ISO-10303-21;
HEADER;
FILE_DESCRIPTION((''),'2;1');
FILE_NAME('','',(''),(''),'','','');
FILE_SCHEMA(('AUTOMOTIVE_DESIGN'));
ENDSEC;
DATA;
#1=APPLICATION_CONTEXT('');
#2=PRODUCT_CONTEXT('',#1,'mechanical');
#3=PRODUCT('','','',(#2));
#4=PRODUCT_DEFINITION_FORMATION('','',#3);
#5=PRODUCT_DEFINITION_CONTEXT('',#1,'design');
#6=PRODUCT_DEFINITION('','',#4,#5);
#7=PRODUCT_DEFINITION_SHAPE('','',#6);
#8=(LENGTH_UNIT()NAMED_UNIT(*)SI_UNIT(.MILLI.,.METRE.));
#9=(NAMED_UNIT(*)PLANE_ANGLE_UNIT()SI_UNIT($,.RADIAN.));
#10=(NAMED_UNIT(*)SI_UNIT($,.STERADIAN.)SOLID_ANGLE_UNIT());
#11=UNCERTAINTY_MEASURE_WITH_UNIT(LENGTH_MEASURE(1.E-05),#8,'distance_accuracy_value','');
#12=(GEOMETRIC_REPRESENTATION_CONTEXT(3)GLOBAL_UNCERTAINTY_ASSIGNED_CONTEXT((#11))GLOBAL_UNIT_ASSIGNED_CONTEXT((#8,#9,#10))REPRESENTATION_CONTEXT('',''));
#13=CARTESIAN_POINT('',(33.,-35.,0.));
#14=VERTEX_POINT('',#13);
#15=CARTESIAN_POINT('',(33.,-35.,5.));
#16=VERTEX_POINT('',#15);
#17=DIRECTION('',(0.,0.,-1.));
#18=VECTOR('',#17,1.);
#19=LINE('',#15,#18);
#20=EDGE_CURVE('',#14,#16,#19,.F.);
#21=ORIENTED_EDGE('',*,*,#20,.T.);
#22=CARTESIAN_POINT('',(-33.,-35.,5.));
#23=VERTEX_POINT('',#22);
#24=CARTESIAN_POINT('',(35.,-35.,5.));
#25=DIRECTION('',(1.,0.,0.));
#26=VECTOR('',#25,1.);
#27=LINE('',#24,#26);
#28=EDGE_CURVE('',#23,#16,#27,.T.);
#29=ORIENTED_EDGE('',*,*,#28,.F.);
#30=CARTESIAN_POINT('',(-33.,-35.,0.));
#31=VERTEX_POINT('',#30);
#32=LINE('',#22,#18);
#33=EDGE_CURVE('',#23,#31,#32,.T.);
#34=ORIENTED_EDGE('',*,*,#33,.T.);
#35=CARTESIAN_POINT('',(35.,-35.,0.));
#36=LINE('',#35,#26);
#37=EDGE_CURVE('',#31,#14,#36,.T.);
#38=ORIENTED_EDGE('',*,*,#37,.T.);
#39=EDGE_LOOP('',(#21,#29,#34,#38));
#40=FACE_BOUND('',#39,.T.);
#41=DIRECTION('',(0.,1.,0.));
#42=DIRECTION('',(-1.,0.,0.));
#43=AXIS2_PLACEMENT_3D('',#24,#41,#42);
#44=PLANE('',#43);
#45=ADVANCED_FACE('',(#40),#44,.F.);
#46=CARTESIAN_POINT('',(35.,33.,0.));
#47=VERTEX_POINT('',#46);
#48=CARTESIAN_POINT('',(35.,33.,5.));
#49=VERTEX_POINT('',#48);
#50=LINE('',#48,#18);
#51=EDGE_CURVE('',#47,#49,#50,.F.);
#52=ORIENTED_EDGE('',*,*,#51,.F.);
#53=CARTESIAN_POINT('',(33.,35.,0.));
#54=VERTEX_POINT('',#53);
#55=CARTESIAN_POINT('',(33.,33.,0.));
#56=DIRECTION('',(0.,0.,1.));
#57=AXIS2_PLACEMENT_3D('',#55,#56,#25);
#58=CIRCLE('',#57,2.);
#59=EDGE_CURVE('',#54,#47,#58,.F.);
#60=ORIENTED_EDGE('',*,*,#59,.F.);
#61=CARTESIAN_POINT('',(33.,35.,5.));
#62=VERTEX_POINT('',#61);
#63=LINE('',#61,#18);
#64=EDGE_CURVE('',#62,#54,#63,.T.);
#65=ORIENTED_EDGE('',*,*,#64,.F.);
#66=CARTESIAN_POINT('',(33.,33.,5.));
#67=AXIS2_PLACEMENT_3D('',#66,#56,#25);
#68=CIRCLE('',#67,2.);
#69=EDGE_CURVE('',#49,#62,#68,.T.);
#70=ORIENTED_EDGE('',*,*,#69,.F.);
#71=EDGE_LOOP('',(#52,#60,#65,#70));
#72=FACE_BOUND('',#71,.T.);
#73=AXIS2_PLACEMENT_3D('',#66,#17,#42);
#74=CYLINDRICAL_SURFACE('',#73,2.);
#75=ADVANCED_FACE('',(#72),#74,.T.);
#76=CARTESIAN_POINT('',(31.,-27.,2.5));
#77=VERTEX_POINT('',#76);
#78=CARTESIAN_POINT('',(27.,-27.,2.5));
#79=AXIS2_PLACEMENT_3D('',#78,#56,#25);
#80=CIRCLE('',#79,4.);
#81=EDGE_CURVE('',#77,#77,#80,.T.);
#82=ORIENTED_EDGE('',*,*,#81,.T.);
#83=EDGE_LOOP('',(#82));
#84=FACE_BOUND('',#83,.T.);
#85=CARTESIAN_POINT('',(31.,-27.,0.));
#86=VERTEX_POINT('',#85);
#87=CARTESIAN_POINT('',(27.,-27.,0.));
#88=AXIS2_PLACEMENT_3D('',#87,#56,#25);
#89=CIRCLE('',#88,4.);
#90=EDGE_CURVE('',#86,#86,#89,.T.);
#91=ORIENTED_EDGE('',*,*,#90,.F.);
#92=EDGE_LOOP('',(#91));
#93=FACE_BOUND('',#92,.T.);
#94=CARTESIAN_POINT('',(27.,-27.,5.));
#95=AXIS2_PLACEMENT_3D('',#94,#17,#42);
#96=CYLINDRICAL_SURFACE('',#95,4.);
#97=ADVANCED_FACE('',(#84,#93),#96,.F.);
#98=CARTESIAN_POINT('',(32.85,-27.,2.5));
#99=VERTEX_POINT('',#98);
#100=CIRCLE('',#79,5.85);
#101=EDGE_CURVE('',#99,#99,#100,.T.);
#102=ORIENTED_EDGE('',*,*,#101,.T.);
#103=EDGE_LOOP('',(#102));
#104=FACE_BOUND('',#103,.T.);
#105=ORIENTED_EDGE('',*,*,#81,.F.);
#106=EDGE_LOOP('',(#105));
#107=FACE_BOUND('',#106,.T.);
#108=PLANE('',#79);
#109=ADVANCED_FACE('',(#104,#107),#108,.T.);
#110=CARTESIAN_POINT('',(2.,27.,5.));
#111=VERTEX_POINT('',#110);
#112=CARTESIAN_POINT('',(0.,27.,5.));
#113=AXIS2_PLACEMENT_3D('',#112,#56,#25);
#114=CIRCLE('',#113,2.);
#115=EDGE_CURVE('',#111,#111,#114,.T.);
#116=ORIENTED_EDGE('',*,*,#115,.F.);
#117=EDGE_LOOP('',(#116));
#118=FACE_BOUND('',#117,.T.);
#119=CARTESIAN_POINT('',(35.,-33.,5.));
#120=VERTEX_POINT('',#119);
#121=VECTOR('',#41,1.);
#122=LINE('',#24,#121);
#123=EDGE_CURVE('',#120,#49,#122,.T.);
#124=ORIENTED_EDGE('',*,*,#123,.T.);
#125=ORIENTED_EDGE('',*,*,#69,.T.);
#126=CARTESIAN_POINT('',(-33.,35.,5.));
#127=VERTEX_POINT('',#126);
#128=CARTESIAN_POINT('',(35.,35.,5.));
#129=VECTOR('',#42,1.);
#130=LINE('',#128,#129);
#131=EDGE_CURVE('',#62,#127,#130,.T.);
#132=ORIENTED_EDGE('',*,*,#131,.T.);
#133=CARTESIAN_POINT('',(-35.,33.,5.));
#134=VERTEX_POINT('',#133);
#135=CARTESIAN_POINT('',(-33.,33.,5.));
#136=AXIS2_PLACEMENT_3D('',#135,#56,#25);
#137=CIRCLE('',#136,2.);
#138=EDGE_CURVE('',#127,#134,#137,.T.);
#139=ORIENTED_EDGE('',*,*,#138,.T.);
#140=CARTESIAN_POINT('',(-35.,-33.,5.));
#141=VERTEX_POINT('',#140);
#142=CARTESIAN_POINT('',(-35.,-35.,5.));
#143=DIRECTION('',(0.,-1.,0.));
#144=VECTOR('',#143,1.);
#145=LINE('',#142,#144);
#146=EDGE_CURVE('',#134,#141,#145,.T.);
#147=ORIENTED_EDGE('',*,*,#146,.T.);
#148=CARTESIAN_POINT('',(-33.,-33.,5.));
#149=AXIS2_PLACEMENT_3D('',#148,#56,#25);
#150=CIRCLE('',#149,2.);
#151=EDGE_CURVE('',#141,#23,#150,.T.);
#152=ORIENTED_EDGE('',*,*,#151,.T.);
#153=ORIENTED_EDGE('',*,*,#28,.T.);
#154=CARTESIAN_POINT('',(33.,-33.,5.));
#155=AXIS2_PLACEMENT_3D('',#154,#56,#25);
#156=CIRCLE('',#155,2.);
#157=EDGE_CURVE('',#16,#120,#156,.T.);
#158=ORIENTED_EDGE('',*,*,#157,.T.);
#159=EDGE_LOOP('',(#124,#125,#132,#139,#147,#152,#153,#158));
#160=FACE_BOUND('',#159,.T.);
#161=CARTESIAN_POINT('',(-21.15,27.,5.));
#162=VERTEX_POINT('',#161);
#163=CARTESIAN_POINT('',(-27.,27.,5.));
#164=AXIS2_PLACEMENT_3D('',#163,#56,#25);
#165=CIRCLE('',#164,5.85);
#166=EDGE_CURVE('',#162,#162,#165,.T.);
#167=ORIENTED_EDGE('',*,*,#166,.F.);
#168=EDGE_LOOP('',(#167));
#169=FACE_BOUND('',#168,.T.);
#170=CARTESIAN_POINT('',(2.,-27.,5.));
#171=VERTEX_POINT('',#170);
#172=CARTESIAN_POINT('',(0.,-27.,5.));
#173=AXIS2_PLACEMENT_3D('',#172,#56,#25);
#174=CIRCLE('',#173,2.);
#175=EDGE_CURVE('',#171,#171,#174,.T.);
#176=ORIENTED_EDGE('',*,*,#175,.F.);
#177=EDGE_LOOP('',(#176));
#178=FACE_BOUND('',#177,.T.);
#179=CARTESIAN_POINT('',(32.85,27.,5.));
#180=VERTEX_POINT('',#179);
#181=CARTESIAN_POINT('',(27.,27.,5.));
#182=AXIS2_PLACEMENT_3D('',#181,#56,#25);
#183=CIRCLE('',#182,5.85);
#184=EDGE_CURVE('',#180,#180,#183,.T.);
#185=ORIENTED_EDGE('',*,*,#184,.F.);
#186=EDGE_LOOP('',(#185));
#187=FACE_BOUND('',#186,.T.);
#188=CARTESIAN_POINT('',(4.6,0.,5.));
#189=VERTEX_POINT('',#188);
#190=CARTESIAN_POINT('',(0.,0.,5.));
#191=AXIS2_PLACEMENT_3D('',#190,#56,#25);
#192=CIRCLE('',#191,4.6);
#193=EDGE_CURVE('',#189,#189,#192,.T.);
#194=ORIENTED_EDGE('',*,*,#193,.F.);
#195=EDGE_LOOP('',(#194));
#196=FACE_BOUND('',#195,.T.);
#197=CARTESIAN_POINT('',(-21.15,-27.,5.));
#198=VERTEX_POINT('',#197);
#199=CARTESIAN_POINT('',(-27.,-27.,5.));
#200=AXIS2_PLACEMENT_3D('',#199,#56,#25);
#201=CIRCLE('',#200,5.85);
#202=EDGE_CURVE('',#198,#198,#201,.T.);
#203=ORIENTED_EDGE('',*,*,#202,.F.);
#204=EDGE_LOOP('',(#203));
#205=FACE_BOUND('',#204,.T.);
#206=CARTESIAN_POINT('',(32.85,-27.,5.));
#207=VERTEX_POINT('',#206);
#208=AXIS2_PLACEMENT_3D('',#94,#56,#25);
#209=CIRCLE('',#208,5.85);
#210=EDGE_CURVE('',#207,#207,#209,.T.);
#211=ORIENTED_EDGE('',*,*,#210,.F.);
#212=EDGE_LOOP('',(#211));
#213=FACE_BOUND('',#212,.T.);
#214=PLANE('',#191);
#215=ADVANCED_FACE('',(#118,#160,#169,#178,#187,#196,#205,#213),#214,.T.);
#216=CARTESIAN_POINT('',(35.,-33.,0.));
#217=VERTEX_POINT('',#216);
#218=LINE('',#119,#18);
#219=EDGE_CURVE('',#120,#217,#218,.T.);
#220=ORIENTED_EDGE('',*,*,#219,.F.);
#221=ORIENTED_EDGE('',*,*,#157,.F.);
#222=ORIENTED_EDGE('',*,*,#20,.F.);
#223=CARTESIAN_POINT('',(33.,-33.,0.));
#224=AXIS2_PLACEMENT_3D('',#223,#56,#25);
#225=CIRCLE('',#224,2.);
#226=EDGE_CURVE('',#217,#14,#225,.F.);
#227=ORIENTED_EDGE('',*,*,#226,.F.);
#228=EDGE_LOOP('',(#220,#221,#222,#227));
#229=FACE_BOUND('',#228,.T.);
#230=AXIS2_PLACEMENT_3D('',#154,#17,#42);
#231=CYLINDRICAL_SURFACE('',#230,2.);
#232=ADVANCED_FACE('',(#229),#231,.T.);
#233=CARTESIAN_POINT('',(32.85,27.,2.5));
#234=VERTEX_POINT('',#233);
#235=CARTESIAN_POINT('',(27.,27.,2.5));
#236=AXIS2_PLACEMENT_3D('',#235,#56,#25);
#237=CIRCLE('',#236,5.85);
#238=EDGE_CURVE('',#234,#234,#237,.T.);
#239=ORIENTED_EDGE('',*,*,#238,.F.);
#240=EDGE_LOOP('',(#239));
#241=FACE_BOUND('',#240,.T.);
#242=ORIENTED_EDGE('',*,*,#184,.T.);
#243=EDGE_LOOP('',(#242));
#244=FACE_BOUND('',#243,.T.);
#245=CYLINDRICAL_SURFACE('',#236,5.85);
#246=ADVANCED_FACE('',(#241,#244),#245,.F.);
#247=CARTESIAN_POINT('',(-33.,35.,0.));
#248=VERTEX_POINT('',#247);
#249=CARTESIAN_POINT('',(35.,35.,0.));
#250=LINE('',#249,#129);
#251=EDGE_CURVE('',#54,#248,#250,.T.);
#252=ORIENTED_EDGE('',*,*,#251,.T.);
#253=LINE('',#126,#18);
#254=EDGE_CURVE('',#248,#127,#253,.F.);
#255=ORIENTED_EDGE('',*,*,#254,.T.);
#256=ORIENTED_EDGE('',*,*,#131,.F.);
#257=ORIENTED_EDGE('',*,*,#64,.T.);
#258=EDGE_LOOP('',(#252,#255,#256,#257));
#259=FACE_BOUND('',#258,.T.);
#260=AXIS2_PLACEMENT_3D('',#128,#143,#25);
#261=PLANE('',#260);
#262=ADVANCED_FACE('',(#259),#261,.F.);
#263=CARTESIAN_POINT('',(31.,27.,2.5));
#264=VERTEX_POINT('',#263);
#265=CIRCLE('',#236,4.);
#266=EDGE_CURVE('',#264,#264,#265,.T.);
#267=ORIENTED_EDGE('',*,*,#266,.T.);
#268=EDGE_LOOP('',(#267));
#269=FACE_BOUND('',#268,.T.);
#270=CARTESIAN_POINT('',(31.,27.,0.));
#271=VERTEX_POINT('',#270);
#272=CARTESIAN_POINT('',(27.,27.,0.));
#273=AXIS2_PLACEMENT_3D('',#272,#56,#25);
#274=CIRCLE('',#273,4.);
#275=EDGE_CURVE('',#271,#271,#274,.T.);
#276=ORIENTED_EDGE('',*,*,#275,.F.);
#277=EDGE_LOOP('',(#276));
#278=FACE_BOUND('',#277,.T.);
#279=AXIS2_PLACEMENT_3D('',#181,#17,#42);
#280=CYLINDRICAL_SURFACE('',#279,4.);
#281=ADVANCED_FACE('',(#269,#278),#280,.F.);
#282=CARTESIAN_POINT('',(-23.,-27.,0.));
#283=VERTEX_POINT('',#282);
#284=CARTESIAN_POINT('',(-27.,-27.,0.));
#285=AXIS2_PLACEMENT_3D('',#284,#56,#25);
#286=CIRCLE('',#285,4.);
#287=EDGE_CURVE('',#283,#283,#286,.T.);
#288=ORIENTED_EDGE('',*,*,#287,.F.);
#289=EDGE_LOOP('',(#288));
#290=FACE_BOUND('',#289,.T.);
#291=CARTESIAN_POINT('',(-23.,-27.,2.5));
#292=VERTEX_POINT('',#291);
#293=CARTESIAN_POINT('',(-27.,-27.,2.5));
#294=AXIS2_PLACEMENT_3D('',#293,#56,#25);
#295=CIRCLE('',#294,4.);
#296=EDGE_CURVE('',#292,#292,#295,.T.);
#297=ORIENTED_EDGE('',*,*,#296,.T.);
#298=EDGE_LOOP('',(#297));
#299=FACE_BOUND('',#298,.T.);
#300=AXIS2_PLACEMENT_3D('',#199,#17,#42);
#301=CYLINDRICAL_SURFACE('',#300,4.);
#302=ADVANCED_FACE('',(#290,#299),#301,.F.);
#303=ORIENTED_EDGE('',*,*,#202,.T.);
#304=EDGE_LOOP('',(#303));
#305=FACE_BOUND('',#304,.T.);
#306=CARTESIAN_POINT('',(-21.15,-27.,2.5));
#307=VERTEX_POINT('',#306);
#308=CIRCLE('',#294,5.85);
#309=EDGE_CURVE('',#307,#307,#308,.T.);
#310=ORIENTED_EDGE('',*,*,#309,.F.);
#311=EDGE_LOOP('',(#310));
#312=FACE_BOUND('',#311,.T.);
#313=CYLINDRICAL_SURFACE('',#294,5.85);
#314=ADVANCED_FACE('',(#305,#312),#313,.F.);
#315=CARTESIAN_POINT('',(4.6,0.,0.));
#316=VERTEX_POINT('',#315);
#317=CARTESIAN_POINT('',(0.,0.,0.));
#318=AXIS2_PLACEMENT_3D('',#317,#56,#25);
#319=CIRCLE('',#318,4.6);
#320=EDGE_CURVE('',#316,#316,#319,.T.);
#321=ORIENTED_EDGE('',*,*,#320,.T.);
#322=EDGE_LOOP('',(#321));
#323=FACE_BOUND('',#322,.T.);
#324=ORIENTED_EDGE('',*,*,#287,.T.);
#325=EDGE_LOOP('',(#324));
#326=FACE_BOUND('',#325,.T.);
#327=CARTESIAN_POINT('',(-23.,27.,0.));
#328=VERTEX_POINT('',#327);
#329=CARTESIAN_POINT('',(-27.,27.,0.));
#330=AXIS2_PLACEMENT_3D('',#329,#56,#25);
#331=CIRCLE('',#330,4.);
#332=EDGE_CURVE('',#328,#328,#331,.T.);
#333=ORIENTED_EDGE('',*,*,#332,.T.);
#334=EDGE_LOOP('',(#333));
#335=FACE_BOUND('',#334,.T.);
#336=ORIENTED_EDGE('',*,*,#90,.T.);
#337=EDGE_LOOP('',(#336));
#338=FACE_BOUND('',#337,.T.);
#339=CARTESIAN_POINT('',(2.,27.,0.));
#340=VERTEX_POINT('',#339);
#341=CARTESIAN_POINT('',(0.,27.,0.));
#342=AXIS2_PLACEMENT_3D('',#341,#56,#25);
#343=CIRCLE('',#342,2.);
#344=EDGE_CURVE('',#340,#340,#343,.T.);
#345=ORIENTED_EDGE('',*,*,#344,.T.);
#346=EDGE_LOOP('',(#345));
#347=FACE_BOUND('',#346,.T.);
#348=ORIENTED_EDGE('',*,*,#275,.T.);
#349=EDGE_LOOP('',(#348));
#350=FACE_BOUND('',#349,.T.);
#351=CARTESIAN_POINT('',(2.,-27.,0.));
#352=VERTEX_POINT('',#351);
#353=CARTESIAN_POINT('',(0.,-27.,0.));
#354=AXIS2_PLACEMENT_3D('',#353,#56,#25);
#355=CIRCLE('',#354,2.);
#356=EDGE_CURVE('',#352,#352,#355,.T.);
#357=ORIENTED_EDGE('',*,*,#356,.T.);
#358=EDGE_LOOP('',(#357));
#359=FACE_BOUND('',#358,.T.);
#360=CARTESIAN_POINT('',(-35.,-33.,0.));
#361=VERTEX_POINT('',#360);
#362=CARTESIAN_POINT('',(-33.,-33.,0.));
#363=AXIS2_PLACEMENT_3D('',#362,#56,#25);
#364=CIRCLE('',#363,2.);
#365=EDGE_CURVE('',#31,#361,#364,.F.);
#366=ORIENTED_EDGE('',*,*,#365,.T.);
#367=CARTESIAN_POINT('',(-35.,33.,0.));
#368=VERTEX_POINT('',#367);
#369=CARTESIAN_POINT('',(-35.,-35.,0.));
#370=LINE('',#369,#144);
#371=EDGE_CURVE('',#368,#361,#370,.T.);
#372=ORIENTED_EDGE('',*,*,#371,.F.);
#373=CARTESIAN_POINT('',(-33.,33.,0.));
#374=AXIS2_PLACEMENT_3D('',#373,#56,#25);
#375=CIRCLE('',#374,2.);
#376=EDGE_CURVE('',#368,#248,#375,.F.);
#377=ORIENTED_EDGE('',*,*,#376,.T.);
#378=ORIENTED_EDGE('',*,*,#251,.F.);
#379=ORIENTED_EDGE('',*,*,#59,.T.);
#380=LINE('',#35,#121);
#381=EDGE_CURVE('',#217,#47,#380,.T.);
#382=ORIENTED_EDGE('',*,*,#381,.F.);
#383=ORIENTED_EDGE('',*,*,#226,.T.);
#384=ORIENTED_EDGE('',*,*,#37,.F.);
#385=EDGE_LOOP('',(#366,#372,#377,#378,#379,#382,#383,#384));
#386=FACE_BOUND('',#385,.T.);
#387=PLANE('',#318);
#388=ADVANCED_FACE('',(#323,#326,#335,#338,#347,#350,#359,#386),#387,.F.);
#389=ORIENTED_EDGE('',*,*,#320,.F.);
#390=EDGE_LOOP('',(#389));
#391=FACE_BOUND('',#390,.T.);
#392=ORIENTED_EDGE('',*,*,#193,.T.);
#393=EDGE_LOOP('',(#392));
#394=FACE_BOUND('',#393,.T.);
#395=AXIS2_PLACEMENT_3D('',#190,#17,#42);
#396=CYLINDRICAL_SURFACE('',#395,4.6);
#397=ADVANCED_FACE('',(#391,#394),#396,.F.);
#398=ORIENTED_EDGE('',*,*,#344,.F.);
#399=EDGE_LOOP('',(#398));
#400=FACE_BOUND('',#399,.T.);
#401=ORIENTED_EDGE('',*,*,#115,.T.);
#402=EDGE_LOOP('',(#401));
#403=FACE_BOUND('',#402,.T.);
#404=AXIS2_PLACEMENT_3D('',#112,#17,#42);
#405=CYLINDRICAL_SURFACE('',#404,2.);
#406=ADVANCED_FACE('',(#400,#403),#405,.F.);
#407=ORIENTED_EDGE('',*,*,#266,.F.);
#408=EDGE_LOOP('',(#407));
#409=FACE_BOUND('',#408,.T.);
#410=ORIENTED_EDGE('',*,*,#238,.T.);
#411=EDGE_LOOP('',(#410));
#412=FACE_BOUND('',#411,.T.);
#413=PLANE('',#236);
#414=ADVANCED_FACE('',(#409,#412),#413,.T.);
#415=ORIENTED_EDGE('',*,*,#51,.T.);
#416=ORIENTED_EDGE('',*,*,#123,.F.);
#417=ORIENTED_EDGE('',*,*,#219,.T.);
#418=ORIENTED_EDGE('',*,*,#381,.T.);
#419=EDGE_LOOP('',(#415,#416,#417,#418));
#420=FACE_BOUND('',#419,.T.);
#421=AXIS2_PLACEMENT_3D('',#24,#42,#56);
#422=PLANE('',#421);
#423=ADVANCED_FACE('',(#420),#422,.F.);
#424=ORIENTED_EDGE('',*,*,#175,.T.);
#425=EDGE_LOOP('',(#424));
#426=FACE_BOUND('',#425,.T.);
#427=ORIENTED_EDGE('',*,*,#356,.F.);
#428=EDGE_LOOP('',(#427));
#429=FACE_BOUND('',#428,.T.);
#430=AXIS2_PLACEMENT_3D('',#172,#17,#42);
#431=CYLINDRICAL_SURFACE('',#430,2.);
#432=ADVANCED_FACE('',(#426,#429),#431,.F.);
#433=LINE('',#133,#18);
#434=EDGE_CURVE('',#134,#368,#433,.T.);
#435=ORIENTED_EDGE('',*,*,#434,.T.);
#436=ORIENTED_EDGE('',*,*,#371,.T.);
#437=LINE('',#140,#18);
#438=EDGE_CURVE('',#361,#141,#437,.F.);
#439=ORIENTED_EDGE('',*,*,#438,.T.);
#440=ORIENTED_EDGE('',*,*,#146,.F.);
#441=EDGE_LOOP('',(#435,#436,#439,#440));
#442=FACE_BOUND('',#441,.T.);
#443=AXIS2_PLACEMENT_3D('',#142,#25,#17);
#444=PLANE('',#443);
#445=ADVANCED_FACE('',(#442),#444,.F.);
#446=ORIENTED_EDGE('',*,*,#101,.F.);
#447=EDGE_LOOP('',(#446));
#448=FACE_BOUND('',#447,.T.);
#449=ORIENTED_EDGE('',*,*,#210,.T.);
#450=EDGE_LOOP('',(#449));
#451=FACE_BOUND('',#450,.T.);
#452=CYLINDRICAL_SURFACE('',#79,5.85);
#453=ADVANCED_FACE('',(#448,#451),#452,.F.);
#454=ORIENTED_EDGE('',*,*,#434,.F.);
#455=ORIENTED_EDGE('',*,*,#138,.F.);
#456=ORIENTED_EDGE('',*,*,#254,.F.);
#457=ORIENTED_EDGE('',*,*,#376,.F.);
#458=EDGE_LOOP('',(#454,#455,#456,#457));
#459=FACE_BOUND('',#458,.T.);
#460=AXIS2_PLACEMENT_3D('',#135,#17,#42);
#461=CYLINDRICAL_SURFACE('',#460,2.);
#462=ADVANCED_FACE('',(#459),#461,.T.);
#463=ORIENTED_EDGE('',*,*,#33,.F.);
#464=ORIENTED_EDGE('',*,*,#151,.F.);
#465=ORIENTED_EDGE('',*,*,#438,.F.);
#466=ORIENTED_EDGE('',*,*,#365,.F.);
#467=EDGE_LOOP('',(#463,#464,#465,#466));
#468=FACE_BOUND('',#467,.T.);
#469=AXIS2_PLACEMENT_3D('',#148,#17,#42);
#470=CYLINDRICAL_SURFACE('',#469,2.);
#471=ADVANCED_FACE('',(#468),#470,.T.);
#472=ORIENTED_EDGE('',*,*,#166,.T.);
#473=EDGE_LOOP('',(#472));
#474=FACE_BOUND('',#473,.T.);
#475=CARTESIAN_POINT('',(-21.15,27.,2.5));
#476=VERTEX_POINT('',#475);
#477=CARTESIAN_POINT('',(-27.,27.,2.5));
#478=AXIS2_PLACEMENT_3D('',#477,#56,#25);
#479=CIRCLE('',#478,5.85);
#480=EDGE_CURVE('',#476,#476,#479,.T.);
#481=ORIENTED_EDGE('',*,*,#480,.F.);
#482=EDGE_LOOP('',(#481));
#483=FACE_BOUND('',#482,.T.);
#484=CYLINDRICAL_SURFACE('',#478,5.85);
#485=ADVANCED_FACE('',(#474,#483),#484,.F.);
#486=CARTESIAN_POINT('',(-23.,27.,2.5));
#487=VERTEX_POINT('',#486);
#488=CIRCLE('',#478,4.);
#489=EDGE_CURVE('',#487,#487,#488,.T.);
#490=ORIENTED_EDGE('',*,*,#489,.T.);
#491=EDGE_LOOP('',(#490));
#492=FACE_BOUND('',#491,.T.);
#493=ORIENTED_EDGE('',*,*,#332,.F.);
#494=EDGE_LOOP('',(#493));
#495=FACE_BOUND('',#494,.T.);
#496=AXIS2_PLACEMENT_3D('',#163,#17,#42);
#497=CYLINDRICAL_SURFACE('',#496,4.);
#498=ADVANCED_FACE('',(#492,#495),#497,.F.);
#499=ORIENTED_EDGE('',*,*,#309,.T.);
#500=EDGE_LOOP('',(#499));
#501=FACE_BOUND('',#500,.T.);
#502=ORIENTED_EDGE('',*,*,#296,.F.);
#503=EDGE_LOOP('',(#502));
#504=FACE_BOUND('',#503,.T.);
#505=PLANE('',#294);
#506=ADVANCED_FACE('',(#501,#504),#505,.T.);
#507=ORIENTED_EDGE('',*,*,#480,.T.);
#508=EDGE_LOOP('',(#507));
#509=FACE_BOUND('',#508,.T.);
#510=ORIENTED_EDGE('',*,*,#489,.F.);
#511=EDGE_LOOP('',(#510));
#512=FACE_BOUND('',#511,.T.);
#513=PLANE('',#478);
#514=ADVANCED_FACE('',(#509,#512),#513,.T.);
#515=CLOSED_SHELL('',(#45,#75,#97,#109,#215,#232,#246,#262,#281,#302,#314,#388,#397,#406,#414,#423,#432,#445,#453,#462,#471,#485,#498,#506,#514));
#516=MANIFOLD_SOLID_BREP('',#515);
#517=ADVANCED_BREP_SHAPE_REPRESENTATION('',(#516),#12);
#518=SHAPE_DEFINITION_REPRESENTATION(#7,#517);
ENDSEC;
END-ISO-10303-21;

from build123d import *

# Parameters (mm, degrees)
SKETCH1_W           = 70
SKETCH1_H           = 70
SKETCH1_R           = 4.6
SKETCH1_R_2         = 2
SKETCH1_R_3         = 4
BOSS_EXTRUDE1_DEPTH = 5
FILLET1_R           = 2
FILLET2_R           = 2
SKETCH2_R           = 5.85
CUT_EXTRUDE1_DEPTH  = 2.5


with BuildPart() as part:
    # Sketch1 → Boss-Extrude1 (new body)
    with BuildSketch(Plane.XY):
        Rectangle(SKETCH1_W, SKETCH1_H)
        Circle(SKETCH1_R, mode=Mode.SUBTRACT)
        with Locations((0, 27)):
            Circle(SKETCH1_R_2, mode=Mode.SUBTRACT)
        with Locations((0, -27)):
            Circle(SKETCH1_R_2, mode=Mode.SUBTRACT)
        with Locations((-27, 27)):
            Circle(SKETCH1_R_3, mode=Mode.SUBTRACT)
        with Locations((27, 27)):
            Circle(SKETCH1_R_3, mode=Mode.SUBTRACT)
        with Locations((27, -27)):
            Circle(SKETCH1_R_3, mode=Mode.SUBTRACT)
        with Locations((-27, -27)):
            Circle(SKETCH1_R_3, mode=Mode.SUBTRACT)
    extrude(amount=BOSS_EXTRUDE1_DEPTH)

    # Fillet1
    fillet1_edges = [part.edges().sort_by_distance(p)[0] for p in [
        (-35, 35, 2.5),
        (35, 35, 2.5),
        (35, -35, 2.5),
    ]]
    fillet(fillet1_edges, radius=FILLET1_R)

    # Fillet2
    fillet2_edges = [part.edges().sort_by_distance(p)[0] for p in [
        (-35, -35, 2.5),
    ]]
    fillet(fillet2_edges, radius=FILLET2_R)

    # Sketch2 → Cut-Extrude1 (cut)
    with BuildSketch(Plane.XY.offset(5)):
        with Locations((-27, 27)):
            Circle(SKETCH2_R)
        with Locations((27, 27)):
            Circle(SKETCH2_R)
        with Locations((27, -27)):
            Circle(SKETCH2_R)
        with Locations((-27, -27)):
            Circle(SKETCH2_R)
    extrude(amount=-CUT_EXTRUDE1_DEPTH, mode=Mode.SUBTRACT)


solid = part.part
